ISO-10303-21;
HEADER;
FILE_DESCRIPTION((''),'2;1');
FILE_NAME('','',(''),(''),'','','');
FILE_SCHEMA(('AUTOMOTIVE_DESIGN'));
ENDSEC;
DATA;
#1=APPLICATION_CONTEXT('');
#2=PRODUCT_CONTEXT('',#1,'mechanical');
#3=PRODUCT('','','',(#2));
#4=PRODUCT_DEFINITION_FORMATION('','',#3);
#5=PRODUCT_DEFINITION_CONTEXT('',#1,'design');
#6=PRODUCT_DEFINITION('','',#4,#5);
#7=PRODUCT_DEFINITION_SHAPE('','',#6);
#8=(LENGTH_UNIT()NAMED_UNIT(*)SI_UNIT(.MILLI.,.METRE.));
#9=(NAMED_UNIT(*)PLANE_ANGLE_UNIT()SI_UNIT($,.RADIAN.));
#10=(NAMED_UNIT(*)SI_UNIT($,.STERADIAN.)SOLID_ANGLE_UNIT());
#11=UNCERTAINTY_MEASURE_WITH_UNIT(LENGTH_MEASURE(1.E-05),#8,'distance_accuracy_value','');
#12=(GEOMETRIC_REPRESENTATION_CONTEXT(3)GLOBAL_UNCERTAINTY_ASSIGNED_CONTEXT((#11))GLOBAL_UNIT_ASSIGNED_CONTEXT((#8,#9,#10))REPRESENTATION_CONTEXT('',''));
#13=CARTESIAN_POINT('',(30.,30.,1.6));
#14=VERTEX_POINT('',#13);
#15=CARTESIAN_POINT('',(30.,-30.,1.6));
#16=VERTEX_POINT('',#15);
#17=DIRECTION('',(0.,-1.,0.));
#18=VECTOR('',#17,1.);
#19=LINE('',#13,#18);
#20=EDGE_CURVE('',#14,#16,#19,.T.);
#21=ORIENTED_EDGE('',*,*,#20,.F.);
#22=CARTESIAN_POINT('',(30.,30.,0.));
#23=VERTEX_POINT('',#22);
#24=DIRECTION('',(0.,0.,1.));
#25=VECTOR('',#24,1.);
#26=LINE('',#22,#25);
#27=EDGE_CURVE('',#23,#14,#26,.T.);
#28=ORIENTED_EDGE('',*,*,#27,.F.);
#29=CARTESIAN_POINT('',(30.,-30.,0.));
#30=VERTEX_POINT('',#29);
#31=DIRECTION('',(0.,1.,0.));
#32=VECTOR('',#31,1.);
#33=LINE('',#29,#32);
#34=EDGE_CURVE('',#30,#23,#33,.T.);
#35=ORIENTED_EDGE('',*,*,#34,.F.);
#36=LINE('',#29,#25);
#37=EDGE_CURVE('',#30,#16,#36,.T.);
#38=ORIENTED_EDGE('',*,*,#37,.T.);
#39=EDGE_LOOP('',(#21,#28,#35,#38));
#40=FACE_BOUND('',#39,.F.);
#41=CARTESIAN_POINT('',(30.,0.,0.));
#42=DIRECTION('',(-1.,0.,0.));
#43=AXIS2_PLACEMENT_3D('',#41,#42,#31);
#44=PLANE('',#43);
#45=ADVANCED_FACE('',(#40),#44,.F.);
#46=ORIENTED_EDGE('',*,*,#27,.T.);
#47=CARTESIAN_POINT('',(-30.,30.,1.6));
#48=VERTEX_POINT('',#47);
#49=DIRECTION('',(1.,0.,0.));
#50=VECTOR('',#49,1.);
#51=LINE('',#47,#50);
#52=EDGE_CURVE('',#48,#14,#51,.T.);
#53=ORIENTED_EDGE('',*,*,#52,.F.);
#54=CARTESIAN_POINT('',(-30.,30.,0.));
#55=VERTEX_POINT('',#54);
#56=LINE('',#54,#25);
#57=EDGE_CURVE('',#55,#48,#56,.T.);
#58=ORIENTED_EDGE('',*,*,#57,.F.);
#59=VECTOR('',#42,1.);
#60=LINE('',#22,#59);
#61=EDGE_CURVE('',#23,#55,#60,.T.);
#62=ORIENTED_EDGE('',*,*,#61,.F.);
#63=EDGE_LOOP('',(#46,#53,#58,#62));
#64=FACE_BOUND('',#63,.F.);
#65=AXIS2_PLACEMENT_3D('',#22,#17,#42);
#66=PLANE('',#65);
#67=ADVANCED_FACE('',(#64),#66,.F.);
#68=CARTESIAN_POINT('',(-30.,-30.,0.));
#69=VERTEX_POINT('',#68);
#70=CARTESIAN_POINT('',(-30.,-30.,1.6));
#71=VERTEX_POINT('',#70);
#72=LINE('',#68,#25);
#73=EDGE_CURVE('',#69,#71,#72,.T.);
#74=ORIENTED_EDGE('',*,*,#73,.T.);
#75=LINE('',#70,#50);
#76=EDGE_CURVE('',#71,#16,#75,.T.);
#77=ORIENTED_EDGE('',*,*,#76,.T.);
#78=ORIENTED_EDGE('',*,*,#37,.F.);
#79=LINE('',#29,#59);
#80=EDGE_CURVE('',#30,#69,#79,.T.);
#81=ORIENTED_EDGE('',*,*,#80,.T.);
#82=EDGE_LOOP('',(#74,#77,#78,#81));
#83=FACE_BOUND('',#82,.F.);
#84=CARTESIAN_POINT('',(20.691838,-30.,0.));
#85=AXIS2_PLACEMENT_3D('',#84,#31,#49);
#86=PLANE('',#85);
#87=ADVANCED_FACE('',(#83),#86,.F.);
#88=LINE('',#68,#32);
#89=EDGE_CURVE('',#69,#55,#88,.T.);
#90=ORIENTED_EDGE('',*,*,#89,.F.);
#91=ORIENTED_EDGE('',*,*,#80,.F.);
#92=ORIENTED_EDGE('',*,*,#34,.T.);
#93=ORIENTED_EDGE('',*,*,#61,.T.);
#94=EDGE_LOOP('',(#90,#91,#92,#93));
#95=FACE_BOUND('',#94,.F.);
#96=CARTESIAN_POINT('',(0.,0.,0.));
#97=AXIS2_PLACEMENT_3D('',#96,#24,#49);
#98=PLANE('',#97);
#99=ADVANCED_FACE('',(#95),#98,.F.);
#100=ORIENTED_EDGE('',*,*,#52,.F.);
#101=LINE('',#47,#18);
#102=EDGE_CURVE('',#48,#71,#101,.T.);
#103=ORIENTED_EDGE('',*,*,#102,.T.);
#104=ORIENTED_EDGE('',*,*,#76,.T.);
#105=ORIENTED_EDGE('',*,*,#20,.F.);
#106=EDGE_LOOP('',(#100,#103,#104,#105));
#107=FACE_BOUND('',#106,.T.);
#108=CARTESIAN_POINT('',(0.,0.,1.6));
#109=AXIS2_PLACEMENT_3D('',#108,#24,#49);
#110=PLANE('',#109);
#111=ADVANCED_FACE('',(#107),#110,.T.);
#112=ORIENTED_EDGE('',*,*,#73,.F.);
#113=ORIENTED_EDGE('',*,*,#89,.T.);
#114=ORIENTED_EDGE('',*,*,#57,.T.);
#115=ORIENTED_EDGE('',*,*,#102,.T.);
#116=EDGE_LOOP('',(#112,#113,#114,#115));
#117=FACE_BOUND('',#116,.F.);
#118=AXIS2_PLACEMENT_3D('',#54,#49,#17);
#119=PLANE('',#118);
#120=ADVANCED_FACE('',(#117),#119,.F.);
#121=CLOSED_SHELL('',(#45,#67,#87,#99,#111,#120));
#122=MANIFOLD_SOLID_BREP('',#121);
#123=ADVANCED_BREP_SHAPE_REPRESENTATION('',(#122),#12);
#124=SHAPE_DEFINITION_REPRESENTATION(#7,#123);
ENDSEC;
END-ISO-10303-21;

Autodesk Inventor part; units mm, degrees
ref_plane "YZ Plane" through (0, 0, 0) normal (1, 0, 0) x (0, 1, 0)
ref_plane "XZ Plane" through (0, 0, 0) normal (0, 1, 0) x (-1, 0, 0)
ref_plane "XY Plane" through (0, 0, 0) normal (0, 0, 1) x (1, 0, 0)
sketch "Sketch1" plane through (0, 0, 0) normal (0, 0, 1) x (1, 0, 0)
  line L0 (30, 30) -> (-30, 30)
  line L1 (-30, 30) -> (-30, -30)
  line L2 (-30, -30) -> (30, -30)
  line L3 (30, -30) -> (30, 30)
  line L4 (30, 30) -> (-30, -30) construction
  line L5 (-30, 30) -> (30, -30) construction
  circle A0 centre (20.4313, 28.5228) radius 1.5 projected
  circle A1 centre (66.4313, 28.5228) radius 1.5 projected
  circle A2 centre (66.4313, -15.9772) radius 1.5 projected
  circle A3 centre (20.4313, -15.9772) radius 1.5 projected
  circle A4 centre (20.4313, 28.5228) radius 1.5
  line L6 (-95.8555, 0) -> (165.4738, 0)
  line L7 (0, -104.3584) -> (0, 126.4825)
  line L8 (0, -104.3584) -> (0, 126.4825)
  line L9 (0, -104.3584) -> (0, 126.4825)
  circle A5 centre (-20.4313, 28.5228) radius 1.5
  circle A6 centre (-20.4313, 28.5228) radius 1.5
  circle A7 centre (20.4313, -28.5228) radius 1.5
  circle A8 centre (66.4313, -28.5228) radius 1.5
  point P0 (0, 0)
  dimension "width" = 60
  dimension "length" = 60
extrude "Extrusion1" add sketch "Sketch1" along normal blind 1.6 contours L3 L6 L7 L0 A0 | A0 L0 | L3 L2 A7 L7 L6 | L7 L2 L1 L6 | L6 L1 L0 A5 L7 | L2 A7 | A5 L0 | A3 picked at (19.9626, 28.8581) picked at (19.7127, -28.0807) picked at (-20.9, 28.8581)
sketch "Sketch2" plane through (0, 0, 1.6) normal (0, 0, 1) x (1, 0, 0)
  circle A0 centre (20.4313, 28.5228) radius 1.5 projected
  circle A1 centre (66.4313, 28.5228) radius 1.5 projected
  circle A2 centre (66.4313, -15.9772) radius 1.5 projected
  circle A3 centre (20.4313, -15.9772) radius 1.5 projected
  line L0 (30, 30) -> (-30, 30) projected
  line L1 (-30, 30) -> (331.5267, 30) construction
  line L2 (331.5267, 30) -> (331.5267, -197.5417) construction
  line L3 (331.5267, -197.5417) -> (-30, -197.5417) construction
  line L4 (-30, -197.5417) -> (-30, 30) construction
  point P0 (0, 0)
properties part number "PCB_Temp" material "FR4"
